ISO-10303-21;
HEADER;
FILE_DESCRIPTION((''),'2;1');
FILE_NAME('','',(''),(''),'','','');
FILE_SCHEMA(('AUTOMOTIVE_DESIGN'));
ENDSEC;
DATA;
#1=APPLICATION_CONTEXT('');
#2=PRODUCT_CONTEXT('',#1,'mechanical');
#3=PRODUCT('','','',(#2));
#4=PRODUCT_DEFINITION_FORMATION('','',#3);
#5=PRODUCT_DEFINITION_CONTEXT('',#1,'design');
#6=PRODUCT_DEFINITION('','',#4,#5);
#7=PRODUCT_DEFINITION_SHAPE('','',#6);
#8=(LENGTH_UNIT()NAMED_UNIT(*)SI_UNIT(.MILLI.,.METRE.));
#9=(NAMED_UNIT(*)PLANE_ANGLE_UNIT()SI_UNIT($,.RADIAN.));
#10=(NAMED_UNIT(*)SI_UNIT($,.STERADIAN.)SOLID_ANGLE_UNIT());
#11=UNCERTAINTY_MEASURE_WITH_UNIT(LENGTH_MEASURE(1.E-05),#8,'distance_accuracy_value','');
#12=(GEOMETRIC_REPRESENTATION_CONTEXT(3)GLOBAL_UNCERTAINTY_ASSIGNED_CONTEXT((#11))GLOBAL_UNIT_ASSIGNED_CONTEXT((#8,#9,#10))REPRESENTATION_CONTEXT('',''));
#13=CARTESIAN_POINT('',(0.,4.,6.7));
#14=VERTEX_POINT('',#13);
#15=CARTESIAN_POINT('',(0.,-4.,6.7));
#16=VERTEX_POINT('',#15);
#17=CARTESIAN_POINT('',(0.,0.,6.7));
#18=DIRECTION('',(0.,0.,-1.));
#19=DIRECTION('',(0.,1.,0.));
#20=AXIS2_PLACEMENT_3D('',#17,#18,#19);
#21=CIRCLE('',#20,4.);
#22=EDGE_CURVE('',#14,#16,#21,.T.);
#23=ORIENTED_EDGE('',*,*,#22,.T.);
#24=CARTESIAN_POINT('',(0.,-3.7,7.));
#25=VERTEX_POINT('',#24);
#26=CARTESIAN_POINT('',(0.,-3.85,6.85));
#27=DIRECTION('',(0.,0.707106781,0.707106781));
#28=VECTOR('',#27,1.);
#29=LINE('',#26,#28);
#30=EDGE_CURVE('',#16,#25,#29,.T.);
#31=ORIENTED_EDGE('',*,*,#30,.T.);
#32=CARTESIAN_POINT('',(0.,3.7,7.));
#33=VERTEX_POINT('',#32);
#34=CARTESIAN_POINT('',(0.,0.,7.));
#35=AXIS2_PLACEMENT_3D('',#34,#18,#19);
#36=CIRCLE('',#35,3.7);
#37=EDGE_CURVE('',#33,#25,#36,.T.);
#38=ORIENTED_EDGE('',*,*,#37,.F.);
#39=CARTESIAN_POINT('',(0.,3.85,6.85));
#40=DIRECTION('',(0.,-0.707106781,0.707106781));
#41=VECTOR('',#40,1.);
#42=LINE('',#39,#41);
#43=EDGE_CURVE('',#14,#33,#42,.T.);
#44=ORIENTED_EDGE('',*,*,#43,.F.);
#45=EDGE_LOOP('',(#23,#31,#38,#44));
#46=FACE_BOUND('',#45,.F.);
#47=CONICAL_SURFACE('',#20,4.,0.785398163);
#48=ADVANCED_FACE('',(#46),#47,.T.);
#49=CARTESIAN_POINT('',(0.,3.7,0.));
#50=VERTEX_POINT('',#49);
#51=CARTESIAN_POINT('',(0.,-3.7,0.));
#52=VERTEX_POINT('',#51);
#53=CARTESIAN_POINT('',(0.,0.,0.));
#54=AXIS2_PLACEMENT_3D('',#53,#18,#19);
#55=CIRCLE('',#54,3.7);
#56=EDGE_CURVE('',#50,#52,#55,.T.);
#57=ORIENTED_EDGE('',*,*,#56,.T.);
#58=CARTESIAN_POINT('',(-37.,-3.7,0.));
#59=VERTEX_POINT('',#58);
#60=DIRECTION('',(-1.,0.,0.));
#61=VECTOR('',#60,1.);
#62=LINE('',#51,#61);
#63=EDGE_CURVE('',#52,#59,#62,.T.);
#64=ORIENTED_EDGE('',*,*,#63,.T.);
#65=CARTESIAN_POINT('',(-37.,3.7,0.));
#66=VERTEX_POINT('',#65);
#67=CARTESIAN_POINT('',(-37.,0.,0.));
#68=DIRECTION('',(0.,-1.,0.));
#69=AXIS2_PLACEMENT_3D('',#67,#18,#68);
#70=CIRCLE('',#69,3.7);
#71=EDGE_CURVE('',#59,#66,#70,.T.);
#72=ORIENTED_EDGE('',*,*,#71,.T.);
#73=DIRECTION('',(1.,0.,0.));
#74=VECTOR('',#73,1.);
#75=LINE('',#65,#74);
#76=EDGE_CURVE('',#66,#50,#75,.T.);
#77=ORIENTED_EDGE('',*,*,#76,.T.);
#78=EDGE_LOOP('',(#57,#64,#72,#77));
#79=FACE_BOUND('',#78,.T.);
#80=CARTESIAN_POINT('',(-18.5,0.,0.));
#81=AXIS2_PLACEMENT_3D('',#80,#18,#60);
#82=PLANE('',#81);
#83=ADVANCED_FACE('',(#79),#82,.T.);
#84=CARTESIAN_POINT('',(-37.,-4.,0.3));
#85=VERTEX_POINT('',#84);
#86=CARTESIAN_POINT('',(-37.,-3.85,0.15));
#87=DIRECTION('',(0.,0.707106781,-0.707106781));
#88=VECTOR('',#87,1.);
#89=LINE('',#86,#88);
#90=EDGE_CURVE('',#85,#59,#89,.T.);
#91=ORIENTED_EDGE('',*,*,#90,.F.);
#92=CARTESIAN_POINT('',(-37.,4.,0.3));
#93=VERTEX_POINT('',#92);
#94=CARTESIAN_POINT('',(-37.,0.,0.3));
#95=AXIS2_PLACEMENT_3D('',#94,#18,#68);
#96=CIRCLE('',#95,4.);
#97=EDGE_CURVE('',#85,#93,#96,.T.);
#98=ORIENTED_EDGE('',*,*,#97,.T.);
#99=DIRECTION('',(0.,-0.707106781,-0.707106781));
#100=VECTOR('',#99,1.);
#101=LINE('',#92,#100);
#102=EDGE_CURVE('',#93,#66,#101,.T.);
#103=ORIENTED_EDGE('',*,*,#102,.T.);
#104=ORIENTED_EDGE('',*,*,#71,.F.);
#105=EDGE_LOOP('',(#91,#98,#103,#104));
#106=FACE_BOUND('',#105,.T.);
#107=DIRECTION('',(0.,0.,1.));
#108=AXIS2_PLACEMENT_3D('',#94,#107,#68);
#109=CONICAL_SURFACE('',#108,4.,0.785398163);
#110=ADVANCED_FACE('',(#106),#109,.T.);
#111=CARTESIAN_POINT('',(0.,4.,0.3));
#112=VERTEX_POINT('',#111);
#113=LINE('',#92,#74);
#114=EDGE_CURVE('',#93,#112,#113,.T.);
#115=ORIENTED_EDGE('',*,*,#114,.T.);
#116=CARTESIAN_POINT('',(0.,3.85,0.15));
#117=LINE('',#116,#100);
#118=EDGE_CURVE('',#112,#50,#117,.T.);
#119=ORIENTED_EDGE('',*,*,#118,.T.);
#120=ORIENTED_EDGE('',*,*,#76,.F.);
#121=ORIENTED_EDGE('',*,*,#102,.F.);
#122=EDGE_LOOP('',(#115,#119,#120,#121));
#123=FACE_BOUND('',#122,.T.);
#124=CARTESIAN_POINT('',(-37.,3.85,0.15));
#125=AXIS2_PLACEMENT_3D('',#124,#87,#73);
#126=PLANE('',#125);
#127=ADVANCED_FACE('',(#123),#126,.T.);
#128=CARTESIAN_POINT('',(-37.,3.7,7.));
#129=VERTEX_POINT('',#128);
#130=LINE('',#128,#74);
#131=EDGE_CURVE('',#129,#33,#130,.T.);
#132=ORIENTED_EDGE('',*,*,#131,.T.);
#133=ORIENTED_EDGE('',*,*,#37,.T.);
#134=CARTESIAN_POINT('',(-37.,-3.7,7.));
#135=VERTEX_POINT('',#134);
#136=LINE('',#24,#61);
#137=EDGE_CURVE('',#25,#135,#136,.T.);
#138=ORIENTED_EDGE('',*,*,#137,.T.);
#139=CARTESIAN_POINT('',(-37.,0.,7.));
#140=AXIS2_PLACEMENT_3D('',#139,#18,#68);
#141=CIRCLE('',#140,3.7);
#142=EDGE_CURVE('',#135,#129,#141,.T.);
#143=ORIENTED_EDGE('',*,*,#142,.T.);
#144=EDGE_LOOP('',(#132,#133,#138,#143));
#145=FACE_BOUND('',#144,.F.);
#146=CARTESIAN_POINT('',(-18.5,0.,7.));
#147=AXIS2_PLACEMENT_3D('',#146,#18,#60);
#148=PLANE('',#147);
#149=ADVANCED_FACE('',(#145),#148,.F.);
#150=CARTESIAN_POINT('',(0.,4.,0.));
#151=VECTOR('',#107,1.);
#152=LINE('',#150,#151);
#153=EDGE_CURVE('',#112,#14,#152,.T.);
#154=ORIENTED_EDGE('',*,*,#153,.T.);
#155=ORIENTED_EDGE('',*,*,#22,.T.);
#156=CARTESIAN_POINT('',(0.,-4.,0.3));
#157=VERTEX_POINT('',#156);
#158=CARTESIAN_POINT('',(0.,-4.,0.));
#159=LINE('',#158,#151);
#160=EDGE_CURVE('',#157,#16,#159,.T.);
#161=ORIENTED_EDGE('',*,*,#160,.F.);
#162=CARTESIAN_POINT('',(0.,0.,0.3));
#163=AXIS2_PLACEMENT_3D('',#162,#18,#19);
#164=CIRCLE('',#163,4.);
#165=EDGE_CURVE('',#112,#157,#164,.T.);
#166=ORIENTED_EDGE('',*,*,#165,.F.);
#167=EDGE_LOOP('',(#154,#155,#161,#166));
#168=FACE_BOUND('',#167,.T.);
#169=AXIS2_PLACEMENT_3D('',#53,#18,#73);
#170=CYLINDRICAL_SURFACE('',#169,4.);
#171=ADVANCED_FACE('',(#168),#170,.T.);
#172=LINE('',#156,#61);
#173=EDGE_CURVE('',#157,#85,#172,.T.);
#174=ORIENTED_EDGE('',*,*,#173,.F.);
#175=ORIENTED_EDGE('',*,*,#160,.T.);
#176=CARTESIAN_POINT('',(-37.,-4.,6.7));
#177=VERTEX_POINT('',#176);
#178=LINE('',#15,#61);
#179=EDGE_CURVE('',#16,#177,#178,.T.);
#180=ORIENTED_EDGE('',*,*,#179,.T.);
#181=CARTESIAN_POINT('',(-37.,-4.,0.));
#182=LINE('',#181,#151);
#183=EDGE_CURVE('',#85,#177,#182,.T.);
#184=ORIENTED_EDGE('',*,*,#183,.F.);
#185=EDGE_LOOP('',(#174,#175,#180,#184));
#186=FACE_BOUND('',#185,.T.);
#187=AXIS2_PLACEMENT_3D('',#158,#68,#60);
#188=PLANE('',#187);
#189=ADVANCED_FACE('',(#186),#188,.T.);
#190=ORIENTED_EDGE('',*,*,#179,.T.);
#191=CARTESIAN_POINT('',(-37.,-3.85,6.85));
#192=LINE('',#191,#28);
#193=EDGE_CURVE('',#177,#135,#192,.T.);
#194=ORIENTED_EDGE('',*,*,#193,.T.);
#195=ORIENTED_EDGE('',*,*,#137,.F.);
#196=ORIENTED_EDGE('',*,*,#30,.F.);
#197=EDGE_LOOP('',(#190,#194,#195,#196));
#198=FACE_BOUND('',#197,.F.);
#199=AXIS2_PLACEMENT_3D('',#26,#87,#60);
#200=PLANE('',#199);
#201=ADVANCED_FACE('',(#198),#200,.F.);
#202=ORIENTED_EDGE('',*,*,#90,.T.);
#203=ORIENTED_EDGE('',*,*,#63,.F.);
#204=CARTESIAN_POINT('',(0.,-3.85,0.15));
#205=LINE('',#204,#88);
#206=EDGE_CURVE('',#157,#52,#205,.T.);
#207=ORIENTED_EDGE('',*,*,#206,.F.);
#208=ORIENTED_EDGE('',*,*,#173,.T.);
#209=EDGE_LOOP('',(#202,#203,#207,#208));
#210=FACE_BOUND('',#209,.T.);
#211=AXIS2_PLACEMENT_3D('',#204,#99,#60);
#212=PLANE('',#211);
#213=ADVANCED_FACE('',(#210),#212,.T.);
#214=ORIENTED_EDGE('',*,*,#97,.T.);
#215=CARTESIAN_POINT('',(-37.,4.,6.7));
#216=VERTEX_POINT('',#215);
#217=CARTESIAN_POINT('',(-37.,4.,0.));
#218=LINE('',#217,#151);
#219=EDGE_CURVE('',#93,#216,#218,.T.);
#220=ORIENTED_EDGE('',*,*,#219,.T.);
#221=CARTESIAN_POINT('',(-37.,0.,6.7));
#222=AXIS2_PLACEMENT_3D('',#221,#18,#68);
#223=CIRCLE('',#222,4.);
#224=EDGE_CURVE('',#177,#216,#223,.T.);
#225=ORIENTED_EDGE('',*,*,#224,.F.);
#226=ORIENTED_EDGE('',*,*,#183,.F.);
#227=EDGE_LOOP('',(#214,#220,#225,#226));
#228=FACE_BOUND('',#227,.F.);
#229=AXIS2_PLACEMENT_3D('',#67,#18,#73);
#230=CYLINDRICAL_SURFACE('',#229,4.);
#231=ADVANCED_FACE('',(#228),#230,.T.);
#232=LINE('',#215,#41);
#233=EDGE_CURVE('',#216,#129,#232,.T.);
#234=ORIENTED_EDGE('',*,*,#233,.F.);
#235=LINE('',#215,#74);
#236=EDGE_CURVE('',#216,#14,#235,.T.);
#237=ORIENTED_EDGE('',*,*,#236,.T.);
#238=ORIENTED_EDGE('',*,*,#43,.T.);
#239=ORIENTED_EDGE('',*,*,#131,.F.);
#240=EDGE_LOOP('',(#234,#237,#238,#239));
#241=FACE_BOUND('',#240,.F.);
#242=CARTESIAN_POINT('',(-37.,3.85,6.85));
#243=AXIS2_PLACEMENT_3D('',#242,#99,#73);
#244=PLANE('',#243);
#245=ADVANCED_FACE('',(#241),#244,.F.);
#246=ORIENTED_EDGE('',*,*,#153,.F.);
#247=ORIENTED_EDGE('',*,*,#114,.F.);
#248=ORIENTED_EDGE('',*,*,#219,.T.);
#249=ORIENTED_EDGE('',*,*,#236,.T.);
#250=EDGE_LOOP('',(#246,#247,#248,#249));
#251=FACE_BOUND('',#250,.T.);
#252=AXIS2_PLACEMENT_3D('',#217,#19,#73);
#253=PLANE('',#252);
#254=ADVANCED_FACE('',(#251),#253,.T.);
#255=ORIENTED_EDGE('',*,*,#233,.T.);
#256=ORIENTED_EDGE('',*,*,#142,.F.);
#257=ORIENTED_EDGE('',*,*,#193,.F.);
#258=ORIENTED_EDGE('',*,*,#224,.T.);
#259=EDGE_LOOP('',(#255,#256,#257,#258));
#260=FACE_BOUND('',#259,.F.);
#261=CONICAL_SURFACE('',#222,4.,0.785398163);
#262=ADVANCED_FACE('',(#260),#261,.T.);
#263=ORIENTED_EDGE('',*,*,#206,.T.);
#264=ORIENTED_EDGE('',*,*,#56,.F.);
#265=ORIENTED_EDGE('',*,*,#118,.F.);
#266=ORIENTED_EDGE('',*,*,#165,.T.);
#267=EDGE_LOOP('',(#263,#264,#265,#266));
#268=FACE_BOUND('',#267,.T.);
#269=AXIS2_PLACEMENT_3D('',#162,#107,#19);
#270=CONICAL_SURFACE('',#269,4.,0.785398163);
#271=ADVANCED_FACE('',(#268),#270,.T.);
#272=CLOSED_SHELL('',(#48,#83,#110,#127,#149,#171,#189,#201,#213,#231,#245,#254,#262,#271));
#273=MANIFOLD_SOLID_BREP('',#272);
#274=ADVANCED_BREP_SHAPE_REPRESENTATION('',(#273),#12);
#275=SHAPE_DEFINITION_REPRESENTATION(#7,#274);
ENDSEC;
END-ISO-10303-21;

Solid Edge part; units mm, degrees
sketch "Sketch1" plane through (10.8674, 10.8674, 0) normal (0, 0, 1) x (1, 0, 0)
  line L0 (-47.8674, -6.8674) -> (-10.8674, -6.8674)
  arc A0 (-10.8674, -6.8674) -> (-10.8674, -14.8674) centre (-10.8674, -10.8674) cw
  line L1 (-10.8674, -14.8674) -> (-47.8674, -14.8674)
  arc A1 (-47.8674, -6.8674) -> (-47.8674, -14.8674) centre (-47.8674, -10.8674) ccw
  dimension "D1" = 8
extrude "Protrusion1" add sketch "Sketch1" along normal blind 7
chamfer "Chamfer_1" distance 0.3 angle 45 8 edges at (-18.5, -4, 7) (-41, 0, 7) (-18.5, 4, 7) (4, 0, 7) (-18.5, -4, 0) (-41, 0, 0) (-18.5, 4, 0) (4, 0, 0)
properties material "Steel"
